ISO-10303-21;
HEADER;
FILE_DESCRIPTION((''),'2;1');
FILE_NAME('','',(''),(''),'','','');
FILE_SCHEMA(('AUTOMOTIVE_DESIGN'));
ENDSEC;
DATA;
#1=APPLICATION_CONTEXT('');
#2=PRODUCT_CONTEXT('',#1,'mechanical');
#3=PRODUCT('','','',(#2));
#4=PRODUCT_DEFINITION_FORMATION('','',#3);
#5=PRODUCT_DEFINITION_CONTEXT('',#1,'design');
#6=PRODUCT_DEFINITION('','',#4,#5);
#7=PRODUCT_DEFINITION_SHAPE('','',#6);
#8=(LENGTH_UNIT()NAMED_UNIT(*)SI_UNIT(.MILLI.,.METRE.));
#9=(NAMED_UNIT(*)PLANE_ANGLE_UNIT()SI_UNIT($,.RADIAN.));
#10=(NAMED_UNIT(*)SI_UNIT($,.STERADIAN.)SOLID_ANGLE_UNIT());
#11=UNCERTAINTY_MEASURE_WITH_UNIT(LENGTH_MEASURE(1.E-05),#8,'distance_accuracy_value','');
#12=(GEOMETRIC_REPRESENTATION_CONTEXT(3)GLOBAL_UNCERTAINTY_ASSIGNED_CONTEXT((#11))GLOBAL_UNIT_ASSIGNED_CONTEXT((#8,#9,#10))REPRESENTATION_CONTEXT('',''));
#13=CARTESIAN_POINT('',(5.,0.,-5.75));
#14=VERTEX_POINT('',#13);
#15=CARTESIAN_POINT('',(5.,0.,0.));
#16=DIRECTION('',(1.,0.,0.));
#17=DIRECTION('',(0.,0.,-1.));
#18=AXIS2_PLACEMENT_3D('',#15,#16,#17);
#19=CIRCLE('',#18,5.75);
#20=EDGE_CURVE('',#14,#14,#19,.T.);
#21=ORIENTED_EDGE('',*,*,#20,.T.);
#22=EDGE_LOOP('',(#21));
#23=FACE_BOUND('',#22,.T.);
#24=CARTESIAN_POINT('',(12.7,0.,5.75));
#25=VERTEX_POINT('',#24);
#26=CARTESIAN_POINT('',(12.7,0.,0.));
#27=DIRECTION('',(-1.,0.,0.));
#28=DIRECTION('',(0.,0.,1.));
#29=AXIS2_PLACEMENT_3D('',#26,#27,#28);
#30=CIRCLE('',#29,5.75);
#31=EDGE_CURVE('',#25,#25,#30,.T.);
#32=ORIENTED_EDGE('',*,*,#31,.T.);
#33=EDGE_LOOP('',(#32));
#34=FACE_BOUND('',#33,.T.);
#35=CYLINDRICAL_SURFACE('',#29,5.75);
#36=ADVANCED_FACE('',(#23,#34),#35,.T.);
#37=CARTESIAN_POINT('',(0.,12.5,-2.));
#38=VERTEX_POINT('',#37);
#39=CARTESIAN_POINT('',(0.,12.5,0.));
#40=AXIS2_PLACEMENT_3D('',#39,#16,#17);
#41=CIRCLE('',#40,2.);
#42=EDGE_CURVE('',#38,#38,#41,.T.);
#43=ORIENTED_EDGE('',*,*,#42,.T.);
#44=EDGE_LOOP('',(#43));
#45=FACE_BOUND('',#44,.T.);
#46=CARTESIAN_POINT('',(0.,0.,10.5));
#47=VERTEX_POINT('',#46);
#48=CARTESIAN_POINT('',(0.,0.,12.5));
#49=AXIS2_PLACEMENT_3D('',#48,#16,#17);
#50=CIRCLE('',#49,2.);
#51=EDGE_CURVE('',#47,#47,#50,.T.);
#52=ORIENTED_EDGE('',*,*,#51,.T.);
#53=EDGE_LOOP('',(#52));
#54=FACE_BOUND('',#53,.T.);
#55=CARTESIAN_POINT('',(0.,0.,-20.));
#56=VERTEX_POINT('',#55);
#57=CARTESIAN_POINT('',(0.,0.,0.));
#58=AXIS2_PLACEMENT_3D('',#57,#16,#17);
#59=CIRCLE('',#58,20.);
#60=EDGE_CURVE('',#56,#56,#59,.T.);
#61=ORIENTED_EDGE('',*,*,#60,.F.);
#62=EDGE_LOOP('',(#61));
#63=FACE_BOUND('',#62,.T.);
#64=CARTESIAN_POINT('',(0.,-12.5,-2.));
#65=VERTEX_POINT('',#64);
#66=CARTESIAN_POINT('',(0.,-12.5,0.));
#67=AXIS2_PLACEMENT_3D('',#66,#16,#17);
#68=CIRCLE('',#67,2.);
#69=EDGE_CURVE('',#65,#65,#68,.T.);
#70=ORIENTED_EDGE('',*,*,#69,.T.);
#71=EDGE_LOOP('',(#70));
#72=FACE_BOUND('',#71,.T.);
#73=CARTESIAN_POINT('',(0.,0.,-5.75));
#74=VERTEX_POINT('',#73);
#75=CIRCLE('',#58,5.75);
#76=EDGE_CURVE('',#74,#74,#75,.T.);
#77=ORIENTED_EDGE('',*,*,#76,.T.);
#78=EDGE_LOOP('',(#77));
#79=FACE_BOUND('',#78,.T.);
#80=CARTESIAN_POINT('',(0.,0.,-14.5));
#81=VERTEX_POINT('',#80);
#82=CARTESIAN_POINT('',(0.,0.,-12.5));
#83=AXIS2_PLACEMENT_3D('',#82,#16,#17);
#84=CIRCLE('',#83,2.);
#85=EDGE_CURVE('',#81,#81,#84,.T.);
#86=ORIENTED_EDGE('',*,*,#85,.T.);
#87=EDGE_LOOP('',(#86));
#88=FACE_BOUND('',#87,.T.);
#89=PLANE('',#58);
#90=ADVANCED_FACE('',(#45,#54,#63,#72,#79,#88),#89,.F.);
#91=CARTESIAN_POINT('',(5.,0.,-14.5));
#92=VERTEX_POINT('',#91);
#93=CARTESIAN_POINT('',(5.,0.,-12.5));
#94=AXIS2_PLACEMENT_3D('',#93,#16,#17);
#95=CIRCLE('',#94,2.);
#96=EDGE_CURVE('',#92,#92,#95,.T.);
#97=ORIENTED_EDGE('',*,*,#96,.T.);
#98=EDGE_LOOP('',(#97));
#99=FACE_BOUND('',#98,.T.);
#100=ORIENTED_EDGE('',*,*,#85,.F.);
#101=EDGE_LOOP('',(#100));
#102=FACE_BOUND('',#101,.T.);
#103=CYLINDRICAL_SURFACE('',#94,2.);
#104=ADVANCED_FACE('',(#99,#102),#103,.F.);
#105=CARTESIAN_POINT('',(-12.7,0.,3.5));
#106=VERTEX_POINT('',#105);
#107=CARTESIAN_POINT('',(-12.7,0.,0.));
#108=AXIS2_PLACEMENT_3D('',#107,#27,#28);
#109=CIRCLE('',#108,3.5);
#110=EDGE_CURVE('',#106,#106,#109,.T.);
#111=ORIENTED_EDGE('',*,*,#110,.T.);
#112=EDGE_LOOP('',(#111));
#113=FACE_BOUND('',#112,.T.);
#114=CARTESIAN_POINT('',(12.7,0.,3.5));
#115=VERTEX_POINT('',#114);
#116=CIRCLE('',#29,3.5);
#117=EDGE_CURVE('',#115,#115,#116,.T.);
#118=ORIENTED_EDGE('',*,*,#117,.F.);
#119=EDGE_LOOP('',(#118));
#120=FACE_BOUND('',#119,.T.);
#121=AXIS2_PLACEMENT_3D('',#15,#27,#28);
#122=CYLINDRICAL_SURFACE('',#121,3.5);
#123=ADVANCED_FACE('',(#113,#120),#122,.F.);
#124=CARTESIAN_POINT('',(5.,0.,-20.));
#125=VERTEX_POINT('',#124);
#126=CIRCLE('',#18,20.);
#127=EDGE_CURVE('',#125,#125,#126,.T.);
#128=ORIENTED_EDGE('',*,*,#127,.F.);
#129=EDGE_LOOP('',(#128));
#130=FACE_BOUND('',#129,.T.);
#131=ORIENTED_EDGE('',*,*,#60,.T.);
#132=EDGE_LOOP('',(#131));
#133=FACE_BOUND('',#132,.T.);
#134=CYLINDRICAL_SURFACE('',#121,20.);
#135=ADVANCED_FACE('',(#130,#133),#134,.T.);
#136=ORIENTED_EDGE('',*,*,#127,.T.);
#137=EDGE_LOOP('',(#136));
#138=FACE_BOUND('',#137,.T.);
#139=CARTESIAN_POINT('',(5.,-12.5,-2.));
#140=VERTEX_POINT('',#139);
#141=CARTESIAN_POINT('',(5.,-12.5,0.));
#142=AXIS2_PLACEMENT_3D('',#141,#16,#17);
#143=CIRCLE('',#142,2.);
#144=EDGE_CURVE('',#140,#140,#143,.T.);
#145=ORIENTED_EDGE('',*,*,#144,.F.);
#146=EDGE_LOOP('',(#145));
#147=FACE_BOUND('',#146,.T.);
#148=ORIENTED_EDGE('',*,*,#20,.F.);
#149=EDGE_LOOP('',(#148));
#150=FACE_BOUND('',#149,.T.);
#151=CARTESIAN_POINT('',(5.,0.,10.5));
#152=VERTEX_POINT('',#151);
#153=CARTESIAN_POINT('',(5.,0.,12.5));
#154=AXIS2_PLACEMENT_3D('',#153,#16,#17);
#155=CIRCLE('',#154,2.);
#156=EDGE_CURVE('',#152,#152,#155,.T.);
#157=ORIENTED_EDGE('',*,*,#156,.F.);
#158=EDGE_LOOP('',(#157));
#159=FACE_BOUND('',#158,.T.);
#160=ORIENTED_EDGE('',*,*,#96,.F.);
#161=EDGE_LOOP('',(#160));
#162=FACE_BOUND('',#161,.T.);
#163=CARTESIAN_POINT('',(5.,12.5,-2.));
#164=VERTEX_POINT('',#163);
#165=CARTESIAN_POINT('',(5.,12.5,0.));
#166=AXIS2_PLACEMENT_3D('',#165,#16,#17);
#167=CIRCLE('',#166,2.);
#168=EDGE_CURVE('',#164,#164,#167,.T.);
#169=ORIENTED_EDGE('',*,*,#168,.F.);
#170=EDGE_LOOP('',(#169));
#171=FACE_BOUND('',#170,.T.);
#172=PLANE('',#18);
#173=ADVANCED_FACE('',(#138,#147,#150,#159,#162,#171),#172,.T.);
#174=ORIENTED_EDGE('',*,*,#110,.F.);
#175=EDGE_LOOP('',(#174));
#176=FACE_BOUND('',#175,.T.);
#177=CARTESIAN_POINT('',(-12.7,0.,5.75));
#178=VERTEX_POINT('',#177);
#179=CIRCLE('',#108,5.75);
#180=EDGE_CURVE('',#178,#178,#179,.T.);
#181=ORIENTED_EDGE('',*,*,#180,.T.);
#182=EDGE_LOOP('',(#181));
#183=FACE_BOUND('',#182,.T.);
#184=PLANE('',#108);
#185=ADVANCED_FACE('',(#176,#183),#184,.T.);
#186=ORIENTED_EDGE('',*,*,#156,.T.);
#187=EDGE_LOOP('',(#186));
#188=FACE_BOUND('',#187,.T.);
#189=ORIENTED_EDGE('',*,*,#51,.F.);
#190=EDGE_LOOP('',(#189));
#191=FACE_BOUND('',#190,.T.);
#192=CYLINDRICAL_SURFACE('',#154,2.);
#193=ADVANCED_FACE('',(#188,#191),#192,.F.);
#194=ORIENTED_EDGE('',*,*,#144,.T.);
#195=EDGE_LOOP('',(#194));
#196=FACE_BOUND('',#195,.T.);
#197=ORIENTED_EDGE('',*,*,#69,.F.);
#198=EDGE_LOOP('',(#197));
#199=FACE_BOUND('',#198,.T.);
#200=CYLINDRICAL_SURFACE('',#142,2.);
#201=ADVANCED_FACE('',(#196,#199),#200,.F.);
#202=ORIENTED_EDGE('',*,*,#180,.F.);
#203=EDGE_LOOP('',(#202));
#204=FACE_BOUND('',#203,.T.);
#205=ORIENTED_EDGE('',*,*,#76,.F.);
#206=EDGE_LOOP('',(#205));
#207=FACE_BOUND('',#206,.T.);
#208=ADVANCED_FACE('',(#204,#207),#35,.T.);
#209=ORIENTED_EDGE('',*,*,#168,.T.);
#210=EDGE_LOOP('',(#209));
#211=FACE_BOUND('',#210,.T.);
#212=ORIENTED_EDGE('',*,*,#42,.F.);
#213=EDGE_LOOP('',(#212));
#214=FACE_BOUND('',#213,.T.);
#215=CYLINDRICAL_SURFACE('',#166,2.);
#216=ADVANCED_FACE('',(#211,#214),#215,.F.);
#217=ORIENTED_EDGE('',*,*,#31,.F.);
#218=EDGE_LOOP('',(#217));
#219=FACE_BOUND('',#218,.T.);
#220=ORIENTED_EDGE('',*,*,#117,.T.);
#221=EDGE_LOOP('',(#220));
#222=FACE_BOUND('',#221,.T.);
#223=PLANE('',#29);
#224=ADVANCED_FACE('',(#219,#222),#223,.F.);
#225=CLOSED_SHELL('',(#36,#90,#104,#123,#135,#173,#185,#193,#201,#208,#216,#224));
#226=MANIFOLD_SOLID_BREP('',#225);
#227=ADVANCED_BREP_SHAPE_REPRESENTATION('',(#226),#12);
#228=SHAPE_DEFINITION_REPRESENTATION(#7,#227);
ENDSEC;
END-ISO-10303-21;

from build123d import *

# Parameters (mm, degrees)
SKETCH1_R                    = 20
SKETCH1_R_2                  = 3.5
BOSS_EXTRUDE1_DEPTH          = 5
BOSS_EXTRUDE2_DEPTH          = 12.7
BOSS_EXTRUDE2_DEPTH_BACK     = 12.7
SKETCH3_R                    = 5.75
SKETCH3_R_2                  = 3.5
F_4_0_4_DIAMETER_HOLE1_D     = 4
F_4_0_4_DIAMETER_HOLE1_DEPTH = 15
F_4_0_4_DIAMETER_HOLE1_TIP   = 1.201721238


with BuildPart() as part:
    # Sketch1 → Boss-Extrude1 (new body)
    with BuildSketch(Plane(origin=(0, 0, 0), x_dir=(0, 0, -1), z_dir=(1, 0, 0))):
        Circle(SKETCH1_R)
        Circle(SKETCH1_R_2, mode=Mode.SUBTRACT)
    extrude(amount=BOSS_EXTRUDE1_DEPTH)

    # Sketch3 → Boss-Extrude2 (add, two sides: drawn at the far end of the back side and taken through both)
    with BuildSketch(Plane.ZY.offset(-BOSS_EXTRUDE2_DEPTH_BACK)):
        Circle(SKETCH3_R)
        Circle(SKETCH3_R_2, mode=Mode.SUBTRACT)
    extrude(amount=BOSS_EXTRUDE2_DEPTH + BOSS_EXTRUDE2_DEPTH_BACK)

    # Ø4.0 (4) Diameter Hole1
    with Locations(Plane(origin=(5, 0, 0), x_dir=(0, 0, -1), z_dir=(1, 0, 0))):
        with Locations((12.5, 0), (0, -12.5), (-12.5, 0), (0, 12.5)):
            Hole(F_4_0_4_DIAMETER_HOLE1_D / 2, depth=F_4_0_4_DIAMETER_HOLE1_DEPTH)
            with Locations((0, 0, -(F_4_0_4_DIAMETER_HOLE1_DEPTH + F_4_0_4_DIAMETER_HOLE1_TIP / 2))):  # 118° drill point
                Cone(0, F_4_0_4_DIAMETER_HOLE1_D / 2, F_4_0_4_DIAMETER_HOLE1_TIP, mode=Mode.SUBTRACT)


solid = part.part
